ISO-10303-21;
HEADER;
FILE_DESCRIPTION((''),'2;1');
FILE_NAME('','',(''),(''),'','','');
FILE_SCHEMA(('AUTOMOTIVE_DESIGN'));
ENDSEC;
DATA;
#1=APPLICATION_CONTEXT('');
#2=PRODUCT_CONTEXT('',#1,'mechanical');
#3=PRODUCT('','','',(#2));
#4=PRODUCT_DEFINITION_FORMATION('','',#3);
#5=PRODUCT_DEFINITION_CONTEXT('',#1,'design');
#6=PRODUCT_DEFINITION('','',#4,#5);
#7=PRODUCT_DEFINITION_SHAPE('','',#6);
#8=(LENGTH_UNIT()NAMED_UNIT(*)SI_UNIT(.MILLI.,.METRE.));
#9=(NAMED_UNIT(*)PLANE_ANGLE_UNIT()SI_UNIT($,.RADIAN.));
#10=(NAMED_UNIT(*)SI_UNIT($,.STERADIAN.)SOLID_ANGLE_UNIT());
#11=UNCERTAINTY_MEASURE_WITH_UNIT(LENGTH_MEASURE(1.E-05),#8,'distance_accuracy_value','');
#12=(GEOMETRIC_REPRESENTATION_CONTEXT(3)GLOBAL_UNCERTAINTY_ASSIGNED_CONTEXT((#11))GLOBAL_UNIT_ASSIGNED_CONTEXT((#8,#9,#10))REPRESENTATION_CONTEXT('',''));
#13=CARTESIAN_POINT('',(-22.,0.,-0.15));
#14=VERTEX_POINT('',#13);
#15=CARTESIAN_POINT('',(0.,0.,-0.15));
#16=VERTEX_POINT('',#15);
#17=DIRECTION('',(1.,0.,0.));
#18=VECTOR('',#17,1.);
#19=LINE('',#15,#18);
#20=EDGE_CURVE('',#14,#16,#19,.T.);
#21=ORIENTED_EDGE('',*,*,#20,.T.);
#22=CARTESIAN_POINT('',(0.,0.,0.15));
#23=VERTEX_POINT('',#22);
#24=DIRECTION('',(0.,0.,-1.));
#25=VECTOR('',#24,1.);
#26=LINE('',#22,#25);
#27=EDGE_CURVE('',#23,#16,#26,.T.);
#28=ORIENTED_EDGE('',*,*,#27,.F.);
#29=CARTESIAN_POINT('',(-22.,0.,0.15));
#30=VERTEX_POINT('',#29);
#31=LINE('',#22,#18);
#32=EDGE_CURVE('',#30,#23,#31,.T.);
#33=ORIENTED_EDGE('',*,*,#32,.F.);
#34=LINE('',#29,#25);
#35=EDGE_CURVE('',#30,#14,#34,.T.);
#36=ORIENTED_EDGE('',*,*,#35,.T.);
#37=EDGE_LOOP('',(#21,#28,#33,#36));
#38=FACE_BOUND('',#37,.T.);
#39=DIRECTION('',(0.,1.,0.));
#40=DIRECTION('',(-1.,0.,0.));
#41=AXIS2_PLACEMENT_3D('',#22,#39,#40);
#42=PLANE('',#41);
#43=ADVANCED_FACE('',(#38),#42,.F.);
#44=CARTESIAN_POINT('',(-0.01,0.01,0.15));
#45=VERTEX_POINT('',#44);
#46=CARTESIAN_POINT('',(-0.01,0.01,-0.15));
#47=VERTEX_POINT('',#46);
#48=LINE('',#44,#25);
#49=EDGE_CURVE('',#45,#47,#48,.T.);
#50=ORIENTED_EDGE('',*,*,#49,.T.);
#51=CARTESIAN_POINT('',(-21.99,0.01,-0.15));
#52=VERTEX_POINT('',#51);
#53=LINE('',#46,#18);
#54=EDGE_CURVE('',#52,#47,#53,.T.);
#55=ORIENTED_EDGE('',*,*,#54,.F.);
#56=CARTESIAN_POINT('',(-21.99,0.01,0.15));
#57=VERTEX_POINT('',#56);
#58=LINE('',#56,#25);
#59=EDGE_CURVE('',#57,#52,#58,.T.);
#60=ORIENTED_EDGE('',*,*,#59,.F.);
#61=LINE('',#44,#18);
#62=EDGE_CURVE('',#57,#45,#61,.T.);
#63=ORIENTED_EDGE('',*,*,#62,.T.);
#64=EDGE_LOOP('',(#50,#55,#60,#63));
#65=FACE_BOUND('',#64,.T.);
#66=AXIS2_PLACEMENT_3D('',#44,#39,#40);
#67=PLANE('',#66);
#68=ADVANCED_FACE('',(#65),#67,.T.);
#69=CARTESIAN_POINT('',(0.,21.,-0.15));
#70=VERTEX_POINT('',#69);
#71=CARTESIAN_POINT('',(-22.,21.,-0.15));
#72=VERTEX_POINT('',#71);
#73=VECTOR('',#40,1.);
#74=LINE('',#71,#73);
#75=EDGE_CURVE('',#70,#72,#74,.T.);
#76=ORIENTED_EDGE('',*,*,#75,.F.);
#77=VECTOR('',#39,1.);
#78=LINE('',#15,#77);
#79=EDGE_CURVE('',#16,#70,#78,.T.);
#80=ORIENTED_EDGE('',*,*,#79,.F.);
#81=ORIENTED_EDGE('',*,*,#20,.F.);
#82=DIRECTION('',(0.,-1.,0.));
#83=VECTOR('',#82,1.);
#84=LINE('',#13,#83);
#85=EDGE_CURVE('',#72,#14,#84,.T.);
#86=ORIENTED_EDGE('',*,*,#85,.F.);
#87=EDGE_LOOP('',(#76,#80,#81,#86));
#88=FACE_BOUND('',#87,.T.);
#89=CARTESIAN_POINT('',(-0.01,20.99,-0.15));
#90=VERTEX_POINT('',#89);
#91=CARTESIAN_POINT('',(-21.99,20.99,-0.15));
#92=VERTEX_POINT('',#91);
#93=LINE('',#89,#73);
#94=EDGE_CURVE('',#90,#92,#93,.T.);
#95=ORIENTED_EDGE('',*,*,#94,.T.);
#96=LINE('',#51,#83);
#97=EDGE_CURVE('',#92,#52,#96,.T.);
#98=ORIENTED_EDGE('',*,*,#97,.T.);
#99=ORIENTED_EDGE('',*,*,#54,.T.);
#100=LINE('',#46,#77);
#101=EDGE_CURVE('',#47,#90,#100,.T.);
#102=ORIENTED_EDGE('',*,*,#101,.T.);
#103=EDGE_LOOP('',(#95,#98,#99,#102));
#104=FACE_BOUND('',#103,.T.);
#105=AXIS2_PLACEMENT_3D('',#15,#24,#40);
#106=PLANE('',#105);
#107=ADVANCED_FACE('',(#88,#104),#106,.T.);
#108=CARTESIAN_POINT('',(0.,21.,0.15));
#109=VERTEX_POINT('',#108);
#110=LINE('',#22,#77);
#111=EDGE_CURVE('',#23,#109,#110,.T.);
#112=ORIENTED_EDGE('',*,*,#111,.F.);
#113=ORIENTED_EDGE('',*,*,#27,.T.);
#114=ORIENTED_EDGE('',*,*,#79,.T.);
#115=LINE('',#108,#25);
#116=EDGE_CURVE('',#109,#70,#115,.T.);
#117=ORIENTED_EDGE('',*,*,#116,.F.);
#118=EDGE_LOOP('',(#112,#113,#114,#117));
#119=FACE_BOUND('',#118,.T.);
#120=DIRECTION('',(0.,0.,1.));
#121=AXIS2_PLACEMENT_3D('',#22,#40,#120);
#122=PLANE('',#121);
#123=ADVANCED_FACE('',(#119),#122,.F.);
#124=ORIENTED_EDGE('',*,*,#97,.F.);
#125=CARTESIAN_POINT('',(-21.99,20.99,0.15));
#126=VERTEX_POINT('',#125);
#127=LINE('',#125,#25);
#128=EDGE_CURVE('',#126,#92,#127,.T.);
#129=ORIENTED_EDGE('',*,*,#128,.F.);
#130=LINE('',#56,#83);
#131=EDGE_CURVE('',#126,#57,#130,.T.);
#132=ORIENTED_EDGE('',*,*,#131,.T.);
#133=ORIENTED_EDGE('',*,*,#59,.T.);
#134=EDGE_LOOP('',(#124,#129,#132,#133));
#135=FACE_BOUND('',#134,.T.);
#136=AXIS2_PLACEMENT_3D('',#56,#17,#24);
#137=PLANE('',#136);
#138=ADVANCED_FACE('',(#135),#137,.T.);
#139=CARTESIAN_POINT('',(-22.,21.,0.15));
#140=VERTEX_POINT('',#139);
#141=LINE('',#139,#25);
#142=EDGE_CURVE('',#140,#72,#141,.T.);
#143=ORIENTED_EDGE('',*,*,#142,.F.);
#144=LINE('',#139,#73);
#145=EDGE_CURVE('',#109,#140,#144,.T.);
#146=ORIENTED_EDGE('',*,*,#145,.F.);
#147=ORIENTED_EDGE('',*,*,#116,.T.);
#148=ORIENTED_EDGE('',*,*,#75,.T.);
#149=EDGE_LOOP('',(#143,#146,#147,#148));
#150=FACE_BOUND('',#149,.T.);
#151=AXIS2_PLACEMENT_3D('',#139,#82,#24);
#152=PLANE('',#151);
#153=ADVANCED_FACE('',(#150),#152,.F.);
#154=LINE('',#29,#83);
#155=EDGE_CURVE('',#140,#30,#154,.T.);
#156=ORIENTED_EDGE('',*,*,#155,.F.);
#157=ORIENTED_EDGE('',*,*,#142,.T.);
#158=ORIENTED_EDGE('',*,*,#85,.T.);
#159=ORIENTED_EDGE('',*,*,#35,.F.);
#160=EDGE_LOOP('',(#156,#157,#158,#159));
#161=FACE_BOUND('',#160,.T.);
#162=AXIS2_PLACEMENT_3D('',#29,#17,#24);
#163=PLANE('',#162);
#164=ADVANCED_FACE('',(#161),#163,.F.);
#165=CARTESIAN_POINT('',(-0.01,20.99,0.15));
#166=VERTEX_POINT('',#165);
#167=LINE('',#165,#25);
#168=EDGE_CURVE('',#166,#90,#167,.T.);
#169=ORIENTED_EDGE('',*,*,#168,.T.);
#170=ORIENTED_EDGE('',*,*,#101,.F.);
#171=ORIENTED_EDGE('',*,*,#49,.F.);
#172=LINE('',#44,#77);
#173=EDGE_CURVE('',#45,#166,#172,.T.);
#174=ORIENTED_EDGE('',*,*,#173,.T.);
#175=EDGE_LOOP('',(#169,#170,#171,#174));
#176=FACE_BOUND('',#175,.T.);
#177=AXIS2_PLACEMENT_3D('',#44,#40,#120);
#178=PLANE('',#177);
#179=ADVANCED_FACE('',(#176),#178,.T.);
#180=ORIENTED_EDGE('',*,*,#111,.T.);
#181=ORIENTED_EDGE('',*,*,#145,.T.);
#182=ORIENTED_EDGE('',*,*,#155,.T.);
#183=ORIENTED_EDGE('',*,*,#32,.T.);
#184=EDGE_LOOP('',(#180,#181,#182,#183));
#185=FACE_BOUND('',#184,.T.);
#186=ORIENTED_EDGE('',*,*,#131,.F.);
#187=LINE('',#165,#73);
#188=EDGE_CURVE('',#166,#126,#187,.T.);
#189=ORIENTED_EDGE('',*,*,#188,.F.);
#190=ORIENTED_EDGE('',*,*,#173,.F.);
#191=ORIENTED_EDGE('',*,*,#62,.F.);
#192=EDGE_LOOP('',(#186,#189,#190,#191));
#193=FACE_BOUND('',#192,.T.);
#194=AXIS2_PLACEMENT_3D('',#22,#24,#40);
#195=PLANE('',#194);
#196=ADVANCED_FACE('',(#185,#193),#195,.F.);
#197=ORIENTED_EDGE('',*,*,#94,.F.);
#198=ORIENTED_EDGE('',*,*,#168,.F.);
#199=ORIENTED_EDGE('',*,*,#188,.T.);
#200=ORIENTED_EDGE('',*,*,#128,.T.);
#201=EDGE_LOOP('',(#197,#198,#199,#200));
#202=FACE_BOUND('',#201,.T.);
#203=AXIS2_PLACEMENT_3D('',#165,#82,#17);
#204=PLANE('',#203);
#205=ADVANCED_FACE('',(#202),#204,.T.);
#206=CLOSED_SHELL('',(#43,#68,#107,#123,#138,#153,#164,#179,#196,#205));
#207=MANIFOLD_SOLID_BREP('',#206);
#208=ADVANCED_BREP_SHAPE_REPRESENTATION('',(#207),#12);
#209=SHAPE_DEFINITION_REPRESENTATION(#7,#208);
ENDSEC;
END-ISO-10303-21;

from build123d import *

# Parameters (mm, degrees)
SKETCH1_W           = 22
SKETCH1_H           = 21
SKETCH1_W_2         = 21.98
SKETCH1_H_2         = 20.98
BOSS_EXTRUDE1_DEPTH = 0.15


with BuildPart() as part:
    # Sketch1 → Boss-Extrude1 (new, symmetric)
    with BuildSketch(Plane.XY):
        with Locations((-11, 10.5)):
            Rectangle(SKETCH1_W, SKETCH1_H)
        with Locations((-11, 10.5)):
            Rectangle(SKETCH1_W_2, SKETCH1_H_2, mode=Mode.SUBTRACT)
    extrude(amount=BOSS_EXTRUDE1_DEPTH, both=True)


solid = part.part
